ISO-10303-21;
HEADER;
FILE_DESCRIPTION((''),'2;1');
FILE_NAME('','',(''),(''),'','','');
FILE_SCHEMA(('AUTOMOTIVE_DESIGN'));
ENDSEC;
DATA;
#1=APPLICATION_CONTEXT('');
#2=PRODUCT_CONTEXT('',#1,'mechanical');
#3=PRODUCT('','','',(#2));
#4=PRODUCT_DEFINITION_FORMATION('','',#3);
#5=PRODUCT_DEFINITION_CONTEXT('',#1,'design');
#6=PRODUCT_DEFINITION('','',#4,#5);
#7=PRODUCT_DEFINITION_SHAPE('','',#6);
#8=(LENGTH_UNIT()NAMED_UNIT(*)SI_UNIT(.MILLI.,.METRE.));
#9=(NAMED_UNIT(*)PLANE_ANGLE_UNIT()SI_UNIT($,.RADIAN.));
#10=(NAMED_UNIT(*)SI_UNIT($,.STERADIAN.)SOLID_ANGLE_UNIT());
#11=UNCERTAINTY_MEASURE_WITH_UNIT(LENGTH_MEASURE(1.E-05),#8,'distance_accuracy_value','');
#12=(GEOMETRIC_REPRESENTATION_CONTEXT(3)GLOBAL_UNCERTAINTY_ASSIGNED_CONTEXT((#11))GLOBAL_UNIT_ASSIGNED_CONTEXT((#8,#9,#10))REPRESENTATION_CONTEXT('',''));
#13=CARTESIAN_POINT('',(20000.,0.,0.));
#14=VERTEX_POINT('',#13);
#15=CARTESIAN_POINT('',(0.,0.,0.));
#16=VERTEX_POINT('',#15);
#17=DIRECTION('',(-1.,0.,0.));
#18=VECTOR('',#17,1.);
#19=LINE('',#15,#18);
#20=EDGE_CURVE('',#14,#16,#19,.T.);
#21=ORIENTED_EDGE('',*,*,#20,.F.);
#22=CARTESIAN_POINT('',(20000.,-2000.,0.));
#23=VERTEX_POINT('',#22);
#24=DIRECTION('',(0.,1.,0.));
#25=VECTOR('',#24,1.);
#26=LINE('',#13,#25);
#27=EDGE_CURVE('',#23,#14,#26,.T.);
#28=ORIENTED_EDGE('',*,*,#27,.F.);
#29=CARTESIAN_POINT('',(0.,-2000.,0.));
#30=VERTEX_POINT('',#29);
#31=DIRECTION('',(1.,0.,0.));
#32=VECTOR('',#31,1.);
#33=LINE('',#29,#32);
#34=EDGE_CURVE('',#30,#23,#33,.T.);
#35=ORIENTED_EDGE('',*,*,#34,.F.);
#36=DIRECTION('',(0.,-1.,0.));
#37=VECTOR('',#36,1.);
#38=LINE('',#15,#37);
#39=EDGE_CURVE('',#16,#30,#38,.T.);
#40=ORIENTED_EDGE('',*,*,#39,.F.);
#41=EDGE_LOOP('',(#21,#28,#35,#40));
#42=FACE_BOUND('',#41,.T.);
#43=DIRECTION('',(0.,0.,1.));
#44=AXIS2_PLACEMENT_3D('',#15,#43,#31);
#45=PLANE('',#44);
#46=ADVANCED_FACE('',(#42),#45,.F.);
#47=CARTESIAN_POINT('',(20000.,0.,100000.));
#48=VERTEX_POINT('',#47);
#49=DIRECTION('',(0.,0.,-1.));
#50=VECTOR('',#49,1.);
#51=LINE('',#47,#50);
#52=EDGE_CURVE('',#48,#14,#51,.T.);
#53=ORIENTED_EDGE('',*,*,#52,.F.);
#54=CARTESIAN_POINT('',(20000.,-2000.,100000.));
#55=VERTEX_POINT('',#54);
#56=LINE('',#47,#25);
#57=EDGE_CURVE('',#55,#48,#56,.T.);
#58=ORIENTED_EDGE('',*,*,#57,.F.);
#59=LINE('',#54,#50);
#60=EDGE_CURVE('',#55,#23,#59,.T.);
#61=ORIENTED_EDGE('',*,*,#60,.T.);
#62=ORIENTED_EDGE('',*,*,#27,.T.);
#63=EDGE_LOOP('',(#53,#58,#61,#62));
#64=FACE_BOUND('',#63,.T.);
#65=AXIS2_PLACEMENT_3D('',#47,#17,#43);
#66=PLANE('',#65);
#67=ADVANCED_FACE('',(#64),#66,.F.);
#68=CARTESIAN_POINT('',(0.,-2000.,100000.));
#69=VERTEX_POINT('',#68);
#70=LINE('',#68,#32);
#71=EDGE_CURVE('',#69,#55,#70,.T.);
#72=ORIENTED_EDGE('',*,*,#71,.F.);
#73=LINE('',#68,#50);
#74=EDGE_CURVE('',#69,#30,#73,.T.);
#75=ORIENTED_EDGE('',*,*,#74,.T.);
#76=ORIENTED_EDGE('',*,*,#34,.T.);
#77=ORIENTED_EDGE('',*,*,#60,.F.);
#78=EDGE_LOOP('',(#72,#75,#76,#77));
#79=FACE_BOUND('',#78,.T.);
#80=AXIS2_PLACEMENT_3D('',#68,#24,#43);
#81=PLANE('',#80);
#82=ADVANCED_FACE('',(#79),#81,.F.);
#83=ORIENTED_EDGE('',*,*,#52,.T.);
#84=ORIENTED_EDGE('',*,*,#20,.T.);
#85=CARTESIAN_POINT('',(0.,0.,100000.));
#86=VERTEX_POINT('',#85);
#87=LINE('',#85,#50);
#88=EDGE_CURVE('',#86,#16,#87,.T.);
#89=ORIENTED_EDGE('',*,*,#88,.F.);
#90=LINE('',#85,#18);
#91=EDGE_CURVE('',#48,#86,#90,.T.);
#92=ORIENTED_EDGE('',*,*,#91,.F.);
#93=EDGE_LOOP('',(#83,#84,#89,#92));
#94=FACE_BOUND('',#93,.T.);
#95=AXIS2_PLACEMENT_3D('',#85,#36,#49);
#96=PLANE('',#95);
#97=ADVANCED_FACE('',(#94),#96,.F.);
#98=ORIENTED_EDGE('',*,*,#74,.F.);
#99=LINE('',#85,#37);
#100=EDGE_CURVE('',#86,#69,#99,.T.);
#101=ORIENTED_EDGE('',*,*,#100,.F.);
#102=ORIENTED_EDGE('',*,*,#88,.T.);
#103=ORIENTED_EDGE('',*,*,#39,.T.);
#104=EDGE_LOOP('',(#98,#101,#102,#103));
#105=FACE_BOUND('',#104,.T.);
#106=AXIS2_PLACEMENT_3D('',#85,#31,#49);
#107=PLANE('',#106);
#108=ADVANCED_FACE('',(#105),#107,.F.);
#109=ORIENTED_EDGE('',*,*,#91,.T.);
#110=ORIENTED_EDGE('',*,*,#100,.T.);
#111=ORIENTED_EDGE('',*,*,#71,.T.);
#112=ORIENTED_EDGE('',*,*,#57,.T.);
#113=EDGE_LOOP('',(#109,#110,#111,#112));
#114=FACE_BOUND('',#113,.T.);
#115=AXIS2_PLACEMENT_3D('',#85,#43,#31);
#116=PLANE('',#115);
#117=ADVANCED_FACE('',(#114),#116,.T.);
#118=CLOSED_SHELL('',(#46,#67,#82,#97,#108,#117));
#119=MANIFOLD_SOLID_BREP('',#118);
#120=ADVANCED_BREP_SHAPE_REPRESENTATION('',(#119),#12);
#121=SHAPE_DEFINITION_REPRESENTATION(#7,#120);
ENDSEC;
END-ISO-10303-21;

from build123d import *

# Parameters (mm, degrees)
SKETCH1_W           = 20000
SKETCH1_H           = 2000
BOSS_EXTRUDE1_DEPTH = 100000


with BuildPart() as part:
    # Sketch1 → Boss-Extrude1 (new body)
    with BuildSketch(Plane.XY):
        with Locations((10000, -1000)):
            Rectangle(SKETCH1_W, SKETCH1_H)
    extrude(amount=BOSS_EXTRUDE1_DEPTH)


solid = part.part
